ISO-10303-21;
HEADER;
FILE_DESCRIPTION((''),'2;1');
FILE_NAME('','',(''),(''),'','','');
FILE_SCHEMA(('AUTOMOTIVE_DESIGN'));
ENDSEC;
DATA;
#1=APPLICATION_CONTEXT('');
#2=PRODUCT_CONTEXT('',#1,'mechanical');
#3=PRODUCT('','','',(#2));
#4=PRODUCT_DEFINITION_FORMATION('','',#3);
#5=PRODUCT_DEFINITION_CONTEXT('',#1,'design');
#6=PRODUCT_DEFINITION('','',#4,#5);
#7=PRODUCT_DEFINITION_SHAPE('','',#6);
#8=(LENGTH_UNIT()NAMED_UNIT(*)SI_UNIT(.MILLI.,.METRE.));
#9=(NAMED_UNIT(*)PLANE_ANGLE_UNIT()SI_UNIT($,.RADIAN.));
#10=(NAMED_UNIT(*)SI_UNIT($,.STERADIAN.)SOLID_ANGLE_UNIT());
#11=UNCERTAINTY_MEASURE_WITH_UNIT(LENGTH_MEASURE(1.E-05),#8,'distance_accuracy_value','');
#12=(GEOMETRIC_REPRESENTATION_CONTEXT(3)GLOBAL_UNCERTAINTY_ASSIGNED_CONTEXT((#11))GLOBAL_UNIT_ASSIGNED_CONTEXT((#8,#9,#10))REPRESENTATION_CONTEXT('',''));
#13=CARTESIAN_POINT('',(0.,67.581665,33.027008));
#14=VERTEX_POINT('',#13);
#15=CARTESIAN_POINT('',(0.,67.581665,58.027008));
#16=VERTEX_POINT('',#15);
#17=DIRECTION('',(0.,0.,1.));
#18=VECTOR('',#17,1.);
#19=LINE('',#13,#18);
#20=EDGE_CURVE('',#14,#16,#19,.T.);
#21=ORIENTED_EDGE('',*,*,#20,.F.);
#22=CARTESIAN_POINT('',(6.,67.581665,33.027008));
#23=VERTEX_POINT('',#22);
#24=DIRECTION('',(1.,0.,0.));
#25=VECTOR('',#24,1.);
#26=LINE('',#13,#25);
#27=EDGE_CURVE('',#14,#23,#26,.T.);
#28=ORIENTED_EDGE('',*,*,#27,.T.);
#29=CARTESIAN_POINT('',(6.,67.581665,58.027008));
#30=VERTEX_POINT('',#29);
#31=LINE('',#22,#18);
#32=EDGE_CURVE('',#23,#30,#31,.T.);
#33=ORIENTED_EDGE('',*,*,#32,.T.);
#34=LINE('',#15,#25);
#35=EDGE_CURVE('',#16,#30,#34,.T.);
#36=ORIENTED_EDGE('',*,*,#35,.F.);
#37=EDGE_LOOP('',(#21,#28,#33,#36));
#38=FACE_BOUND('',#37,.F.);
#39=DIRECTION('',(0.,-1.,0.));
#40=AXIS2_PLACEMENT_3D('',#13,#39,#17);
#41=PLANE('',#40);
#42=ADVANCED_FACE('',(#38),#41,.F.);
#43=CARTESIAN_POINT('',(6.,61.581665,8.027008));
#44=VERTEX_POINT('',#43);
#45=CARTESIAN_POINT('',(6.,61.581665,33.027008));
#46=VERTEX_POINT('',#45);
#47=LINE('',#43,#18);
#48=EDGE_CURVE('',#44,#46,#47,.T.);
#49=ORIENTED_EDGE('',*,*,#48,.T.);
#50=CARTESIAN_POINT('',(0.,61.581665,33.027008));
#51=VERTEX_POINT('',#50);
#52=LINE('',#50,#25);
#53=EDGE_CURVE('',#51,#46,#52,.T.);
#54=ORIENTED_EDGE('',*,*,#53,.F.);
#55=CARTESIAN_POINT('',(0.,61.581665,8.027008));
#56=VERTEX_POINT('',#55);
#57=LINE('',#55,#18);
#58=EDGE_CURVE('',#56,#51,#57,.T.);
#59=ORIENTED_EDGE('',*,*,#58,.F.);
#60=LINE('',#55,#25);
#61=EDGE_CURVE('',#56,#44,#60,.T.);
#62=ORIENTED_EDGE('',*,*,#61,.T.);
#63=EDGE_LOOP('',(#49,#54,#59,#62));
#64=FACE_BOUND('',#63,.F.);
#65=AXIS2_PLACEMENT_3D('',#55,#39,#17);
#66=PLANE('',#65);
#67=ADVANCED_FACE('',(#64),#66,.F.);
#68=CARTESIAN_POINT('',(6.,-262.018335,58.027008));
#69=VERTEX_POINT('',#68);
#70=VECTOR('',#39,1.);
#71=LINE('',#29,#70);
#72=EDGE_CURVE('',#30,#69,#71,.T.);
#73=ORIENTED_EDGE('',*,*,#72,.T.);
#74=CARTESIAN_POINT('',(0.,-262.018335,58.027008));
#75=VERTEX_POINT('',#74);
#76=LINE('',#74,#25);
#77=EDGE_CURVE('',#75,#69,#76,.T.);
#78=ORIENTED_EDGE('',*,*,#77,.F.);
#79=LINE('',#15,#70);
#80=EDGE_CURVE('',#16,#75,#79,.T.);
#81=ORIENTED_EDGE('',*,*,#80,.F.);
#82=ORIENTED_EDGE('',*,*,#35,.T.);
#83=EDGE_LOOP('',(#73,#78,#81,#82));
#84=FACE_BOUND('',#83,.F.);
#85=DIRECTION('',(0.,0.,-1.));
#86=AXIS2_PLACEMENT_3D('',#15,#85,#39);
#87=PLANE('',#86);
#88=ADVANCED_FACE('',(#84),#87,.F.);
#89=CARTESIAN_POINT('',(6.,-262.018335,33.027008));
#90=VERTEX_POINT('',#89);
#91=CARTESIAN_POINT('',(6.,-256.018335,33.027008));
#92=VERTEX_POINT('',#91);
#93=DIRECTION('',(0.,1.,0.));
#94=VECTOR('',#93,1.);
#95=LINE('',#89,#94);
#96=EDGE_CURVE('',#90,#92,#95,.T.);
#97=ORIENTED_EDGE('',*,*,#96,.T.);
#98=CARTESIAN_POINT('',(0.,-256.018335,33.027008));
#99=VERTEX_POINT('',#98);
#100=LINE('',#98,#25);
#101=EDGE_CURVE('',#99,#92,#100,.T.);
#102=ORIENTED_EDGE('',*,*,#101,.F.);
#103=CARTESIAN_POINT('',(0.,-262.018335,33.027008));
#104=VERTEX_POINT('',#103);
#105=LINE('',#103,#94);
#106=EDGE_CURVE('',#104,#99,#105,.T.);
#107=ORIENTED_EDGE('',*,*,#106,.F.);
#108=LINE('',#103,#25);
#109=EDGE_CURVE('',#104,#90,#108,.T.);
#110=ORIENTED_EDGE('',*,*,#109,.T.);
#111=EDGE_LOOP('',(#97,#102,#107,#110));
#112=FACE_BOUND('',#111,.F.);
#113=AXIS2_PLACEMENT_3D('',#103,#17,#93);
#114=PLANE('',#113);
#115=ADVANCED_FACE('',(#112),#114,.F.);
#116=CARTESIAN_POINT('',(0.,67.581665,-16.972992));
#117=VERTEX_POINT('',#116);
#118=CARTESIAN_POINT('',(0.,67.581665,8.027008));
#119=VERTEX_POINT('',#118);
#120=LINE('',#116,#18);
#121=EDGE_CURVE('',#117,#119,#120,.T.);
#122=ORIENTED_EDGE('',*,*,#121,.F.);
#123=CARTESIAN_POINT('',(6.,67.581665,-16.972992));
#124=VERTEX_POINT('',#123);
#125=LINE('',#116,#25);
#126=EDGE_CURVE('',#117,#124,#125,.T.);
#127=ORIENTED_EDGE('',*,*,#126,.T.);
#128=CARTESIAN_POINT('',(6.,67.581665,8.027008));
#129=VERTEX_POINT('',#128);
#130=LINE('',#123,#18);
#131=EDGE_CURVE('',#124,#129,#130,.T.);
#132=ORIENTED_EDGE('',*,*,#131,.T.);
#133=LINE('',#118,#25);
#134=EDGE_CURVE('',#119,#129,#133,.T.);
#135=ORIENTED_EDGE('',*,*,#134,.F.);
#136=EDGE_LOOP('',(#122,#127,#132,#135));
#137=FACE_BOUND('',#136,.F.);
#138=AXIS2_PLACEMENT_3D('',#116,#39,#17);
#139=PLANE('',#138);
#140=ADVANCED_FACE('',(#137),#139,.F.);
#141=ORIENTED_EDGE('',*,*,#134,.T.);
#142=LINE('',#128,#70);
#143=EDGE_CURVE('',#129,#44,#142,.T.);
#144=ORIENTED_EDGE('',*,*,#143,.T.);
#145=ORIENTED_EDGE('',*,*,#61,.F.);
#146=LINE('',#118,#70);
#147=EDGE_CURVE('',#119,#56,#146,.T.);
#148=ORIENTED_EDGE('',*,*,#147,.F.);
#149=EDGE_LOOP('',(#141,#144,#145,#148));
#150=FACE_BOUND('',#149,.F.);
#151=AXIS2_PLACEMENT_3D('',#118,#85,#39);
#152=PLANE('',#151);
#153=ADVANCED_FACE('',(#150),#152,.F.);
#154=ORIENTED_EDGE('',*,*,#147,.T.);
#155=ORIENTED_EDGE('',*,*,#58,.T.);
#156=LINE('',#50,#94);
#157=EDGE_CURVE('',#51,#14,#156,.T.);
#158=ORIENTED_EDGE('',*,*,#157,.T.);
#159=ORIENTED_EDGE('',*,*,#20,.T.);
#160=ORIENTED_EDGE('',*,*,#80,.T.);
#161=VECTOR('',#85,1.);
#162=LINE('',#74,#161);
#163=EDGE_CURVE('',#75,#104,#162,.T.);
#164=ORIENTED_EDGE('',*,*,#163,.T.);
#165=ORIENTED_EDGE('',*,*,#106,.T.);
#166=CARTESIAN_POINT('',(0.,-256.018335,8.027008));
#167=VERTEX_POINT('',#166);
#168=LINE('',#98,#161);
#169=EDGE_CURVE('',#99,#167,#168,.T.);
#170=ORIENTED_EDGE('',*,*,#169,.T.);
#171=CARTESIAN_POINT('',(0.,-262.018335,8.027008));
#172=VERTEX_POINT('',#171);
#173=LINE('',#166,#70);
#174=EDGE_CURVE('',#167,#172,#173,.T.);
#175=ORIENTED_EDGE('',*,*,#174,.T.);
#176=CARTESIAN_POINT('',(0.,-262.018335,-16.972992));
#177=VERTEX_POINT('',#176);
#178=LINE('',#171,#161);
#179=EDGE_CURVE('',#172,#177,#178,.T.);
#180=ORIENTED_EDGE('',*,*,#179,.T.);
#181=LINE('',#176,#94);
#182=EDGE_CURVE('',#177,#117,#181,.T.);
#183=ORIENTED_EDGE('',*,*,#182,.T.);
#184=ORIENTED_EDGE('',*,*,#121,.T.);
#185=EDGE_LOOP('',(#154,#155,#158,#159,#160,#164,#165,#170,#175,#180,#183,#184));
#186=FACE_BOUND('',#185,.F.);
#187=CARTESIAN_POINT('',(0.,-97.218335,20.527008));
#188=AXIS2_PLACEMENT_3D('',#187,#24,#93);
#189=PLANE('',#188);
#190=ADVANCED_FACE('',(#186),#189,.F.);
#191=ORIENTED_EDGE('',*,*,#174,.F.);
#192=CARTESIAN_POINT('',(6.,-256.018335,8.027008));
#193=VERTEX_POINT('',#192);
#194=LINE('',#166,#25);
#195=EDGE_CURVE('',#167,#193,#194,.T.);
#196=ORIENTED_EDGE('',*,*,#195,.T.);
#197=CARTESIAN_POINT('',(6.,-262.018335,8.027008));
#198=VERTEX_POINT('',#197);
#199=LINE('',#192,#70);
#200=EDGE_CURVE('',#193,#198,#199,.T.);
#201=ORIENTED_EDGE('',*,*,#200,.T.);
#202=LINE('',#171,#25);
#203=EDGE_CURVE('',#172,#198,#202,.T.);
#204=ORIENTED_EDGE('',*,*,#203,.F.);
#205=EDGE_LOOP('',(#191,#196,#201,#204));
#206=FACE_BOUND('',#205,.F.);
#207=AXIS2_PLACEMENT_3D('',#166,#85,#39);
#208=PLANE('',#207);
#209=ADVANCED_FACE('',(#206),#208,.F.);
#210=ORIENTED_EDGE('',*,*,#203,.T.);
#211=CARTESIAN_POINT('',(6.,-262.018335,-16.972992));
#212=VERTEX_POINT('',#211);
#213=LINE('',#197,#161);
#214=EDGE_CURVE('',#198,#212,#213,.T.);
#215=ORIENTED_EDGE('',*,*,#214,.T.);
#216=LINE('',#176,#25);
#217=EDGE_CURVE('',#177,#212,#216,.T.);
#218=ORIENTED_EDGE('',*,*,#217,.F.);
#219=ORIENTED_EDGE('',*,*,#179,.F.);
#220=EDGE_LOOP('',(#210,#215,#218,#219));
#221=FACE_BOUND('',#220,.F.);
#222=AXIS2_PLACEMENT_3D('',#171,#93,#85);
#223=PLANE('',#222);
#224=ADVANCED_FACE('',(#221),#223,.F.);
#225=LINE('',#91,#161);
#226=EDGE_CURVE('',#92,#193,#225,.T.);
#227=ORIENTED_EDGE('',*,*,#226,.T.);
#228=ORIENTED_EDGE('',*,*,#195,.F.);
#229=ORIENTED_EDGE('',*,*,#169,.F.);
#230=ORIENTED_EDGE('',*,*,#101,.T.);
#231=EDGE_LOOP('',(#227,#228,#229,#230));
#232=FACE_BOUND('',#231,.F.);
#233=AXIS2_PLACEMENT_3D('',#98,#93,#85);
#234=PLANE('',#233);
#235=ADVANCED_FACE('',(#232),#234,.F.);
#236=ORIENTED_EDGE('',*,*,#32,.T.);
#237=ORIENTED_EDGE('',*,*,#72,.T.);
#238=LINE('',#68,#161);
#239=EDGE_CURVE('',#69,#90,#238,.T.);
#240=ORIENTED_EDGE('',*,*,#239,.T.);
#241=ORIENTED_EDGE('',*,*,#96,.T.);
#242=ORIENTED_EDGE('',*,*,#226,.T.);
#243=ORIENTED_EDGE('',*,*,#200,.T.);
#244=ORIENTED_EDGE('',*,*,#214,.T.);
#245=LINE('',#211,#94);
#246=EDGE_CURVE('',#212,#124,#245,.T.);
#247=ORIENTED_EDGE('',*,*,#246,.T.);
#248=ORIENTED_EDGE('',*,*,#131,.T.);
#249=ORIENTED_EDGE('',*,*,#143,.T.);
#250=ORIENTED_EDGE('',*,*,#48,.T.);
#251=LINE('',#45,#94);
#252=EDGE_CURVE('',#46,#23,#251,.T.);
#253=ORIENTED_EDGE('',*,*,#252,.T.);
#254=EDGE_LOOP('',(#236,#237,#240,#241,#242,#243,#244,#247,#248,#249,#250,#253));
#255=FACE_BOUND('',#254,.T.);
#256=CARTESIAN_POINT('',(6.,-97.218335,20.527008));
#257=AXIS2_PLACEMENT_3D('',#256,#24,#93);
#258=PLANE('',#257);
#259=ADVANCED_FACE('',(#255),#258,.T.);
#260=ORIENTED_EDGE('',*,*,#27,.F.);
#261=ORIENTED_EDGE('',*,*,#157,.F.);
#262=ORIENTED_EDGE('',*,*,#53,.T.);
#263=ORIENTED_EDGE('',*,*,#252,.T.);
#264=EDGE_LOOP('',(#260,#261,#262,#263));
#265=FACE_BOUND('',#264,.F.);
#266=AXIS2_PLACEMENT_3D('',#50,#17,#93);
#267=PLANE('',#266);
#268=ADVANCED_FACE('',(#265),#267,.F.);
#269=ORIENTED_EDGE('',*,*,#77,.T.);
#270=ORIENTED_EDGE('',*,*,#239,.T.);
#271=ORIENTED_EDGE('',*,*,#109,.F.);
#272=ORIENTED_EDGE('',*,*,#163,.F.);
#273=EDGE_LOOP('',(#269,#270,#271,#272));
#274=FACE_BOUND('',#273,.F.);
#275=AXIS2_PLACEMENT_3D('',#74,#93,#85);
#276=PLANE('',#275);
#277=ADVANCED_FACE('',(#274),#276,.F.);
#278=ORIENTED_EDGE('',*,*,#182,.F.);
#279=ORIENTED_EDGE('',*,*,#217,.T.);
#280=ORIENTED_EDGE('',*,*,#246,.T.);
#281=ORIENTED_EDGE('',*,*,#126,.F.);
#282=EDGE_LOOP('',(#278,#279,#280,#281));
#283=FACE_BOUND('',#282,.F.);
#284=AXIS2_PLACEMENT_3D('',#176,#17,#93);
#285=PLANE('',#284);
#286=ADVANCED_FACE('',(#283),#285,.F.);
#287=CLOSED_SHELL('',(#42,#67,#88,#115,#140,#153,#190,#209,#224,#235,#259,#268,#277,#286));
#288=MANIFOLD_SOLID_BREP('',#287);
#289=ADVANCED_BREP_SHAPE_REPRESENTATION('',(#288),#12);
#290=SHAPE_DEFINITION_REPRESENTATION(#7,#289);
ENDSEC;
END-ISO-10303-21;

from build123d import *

# Parameters (mm, degrees)
F1_DEPTH = 6


with BuildPart() as f1:
    # F0 (on Right) → F1 (new body)
    with BuildSketch(Plane.YZ):
        Polygon((61.581665, 58.027008), (-256.018335, 58.027008), (-262.018335, 58.027008), (-262.018335, 33.027008), (-256.018335, 33.027008), (-256.018335, 8.027008), (-262.018335, 8.027008), (-262.018335, -16.972992), (-256.018335, -16.972992), (61.581665, -16.972992), (67.581665, -16.972992), (67.581665, 8.027008), (61.581665, 8.027008), (61.581665, 33.027008), (67.581665, 33.027008), (67.581665, 58.027008), align=None)
    extrude(amount=F1_DEPTH)


solid = f1.part
